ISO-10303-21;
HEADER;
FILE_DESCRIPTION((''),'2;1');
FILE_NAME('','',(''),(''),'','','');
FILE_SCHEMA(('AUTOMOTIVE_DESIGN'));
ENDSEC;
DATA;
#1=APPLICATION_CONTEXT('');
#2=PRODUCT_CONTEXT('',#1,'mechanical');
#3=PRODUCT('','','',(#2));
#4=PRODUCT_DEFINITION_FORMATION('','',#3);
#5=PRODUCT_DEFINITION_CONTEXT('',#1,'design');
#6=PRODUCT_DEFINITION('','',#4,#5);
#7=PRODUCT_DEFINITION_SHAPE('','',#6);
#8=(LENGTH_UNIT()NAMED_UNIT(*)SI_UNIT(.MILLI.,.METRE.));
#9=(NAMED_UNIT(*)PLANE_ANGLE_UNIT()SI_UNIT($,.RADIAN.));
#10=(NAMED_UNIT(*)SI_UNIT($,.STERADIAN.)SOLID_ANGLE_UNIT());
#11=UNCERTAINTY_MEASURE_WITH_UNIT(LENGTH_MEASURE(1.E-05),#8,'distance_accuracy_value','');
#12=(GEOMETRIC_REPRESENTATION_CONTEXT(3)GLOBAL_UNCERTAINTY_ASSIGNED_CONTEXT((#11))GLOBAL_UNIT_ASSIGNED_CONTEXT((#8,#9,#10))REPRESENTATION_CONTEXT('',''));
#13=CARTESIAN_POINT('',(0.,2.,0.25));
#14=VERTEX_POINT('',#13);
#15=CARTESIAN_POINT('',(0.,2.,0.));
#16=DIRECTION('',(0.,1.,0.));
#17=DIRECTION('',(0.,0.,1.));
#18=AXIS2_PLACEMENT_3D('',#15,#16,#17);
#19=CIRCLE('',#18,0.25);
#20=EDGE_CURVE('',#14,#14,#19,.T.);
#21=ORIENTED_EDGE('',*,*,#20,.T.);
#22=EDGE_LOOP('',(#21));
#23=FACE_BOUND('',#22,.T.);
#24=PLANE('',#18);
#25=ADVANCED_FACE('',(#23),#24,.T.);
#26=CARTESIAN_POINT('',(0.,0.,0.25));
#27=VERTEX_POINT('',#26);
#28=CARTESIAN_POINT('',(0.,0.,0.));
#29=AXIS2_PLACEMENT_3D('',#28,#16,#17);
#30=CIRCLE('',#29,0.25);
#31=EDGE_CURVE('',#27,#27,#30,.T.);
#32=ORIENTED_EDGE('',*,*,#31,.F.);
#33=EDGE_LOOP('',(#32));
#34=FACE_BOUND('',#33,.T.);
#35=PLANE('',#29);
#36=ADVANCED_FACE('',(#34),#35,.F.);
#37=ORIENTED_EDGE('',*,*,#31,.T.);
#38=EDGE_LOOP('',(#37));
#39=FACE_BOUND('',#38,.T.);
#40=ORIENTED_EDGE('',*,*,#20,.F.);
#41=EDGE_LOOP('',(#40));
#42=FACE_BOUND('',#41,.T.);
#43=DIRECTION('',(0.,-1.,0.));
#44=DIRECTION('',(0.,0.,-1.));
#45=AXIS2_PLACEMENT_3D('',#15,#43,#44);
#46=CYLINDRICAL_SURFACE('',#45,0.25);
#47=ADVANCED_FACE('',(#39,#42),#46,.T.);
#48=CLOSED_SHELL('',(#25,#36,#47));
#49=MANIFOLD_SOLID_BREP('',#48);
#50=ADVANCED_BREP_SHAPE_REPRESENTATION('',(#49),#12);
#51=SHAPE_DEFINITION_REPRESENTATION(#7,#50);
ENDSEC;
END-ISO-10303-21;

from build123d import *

# Parameters (mm, degrees)
SKETCH1_R           = 0.25
BOSS_EXTRUDE1_DEPTH = 2


with BuildPart() as part:
    # Sketch1 → Boss-Extrude1 (new body)
    with BuildSketch(Plane(origin=(0, 0, 0), x_dir=(1, 0, 0), z_dir=(0, 1, 0))):
        Circle(SKETCH1_R)
    extrude(amount=BOSS_EXTRUDE1_DEPTH)


solid = part.part
